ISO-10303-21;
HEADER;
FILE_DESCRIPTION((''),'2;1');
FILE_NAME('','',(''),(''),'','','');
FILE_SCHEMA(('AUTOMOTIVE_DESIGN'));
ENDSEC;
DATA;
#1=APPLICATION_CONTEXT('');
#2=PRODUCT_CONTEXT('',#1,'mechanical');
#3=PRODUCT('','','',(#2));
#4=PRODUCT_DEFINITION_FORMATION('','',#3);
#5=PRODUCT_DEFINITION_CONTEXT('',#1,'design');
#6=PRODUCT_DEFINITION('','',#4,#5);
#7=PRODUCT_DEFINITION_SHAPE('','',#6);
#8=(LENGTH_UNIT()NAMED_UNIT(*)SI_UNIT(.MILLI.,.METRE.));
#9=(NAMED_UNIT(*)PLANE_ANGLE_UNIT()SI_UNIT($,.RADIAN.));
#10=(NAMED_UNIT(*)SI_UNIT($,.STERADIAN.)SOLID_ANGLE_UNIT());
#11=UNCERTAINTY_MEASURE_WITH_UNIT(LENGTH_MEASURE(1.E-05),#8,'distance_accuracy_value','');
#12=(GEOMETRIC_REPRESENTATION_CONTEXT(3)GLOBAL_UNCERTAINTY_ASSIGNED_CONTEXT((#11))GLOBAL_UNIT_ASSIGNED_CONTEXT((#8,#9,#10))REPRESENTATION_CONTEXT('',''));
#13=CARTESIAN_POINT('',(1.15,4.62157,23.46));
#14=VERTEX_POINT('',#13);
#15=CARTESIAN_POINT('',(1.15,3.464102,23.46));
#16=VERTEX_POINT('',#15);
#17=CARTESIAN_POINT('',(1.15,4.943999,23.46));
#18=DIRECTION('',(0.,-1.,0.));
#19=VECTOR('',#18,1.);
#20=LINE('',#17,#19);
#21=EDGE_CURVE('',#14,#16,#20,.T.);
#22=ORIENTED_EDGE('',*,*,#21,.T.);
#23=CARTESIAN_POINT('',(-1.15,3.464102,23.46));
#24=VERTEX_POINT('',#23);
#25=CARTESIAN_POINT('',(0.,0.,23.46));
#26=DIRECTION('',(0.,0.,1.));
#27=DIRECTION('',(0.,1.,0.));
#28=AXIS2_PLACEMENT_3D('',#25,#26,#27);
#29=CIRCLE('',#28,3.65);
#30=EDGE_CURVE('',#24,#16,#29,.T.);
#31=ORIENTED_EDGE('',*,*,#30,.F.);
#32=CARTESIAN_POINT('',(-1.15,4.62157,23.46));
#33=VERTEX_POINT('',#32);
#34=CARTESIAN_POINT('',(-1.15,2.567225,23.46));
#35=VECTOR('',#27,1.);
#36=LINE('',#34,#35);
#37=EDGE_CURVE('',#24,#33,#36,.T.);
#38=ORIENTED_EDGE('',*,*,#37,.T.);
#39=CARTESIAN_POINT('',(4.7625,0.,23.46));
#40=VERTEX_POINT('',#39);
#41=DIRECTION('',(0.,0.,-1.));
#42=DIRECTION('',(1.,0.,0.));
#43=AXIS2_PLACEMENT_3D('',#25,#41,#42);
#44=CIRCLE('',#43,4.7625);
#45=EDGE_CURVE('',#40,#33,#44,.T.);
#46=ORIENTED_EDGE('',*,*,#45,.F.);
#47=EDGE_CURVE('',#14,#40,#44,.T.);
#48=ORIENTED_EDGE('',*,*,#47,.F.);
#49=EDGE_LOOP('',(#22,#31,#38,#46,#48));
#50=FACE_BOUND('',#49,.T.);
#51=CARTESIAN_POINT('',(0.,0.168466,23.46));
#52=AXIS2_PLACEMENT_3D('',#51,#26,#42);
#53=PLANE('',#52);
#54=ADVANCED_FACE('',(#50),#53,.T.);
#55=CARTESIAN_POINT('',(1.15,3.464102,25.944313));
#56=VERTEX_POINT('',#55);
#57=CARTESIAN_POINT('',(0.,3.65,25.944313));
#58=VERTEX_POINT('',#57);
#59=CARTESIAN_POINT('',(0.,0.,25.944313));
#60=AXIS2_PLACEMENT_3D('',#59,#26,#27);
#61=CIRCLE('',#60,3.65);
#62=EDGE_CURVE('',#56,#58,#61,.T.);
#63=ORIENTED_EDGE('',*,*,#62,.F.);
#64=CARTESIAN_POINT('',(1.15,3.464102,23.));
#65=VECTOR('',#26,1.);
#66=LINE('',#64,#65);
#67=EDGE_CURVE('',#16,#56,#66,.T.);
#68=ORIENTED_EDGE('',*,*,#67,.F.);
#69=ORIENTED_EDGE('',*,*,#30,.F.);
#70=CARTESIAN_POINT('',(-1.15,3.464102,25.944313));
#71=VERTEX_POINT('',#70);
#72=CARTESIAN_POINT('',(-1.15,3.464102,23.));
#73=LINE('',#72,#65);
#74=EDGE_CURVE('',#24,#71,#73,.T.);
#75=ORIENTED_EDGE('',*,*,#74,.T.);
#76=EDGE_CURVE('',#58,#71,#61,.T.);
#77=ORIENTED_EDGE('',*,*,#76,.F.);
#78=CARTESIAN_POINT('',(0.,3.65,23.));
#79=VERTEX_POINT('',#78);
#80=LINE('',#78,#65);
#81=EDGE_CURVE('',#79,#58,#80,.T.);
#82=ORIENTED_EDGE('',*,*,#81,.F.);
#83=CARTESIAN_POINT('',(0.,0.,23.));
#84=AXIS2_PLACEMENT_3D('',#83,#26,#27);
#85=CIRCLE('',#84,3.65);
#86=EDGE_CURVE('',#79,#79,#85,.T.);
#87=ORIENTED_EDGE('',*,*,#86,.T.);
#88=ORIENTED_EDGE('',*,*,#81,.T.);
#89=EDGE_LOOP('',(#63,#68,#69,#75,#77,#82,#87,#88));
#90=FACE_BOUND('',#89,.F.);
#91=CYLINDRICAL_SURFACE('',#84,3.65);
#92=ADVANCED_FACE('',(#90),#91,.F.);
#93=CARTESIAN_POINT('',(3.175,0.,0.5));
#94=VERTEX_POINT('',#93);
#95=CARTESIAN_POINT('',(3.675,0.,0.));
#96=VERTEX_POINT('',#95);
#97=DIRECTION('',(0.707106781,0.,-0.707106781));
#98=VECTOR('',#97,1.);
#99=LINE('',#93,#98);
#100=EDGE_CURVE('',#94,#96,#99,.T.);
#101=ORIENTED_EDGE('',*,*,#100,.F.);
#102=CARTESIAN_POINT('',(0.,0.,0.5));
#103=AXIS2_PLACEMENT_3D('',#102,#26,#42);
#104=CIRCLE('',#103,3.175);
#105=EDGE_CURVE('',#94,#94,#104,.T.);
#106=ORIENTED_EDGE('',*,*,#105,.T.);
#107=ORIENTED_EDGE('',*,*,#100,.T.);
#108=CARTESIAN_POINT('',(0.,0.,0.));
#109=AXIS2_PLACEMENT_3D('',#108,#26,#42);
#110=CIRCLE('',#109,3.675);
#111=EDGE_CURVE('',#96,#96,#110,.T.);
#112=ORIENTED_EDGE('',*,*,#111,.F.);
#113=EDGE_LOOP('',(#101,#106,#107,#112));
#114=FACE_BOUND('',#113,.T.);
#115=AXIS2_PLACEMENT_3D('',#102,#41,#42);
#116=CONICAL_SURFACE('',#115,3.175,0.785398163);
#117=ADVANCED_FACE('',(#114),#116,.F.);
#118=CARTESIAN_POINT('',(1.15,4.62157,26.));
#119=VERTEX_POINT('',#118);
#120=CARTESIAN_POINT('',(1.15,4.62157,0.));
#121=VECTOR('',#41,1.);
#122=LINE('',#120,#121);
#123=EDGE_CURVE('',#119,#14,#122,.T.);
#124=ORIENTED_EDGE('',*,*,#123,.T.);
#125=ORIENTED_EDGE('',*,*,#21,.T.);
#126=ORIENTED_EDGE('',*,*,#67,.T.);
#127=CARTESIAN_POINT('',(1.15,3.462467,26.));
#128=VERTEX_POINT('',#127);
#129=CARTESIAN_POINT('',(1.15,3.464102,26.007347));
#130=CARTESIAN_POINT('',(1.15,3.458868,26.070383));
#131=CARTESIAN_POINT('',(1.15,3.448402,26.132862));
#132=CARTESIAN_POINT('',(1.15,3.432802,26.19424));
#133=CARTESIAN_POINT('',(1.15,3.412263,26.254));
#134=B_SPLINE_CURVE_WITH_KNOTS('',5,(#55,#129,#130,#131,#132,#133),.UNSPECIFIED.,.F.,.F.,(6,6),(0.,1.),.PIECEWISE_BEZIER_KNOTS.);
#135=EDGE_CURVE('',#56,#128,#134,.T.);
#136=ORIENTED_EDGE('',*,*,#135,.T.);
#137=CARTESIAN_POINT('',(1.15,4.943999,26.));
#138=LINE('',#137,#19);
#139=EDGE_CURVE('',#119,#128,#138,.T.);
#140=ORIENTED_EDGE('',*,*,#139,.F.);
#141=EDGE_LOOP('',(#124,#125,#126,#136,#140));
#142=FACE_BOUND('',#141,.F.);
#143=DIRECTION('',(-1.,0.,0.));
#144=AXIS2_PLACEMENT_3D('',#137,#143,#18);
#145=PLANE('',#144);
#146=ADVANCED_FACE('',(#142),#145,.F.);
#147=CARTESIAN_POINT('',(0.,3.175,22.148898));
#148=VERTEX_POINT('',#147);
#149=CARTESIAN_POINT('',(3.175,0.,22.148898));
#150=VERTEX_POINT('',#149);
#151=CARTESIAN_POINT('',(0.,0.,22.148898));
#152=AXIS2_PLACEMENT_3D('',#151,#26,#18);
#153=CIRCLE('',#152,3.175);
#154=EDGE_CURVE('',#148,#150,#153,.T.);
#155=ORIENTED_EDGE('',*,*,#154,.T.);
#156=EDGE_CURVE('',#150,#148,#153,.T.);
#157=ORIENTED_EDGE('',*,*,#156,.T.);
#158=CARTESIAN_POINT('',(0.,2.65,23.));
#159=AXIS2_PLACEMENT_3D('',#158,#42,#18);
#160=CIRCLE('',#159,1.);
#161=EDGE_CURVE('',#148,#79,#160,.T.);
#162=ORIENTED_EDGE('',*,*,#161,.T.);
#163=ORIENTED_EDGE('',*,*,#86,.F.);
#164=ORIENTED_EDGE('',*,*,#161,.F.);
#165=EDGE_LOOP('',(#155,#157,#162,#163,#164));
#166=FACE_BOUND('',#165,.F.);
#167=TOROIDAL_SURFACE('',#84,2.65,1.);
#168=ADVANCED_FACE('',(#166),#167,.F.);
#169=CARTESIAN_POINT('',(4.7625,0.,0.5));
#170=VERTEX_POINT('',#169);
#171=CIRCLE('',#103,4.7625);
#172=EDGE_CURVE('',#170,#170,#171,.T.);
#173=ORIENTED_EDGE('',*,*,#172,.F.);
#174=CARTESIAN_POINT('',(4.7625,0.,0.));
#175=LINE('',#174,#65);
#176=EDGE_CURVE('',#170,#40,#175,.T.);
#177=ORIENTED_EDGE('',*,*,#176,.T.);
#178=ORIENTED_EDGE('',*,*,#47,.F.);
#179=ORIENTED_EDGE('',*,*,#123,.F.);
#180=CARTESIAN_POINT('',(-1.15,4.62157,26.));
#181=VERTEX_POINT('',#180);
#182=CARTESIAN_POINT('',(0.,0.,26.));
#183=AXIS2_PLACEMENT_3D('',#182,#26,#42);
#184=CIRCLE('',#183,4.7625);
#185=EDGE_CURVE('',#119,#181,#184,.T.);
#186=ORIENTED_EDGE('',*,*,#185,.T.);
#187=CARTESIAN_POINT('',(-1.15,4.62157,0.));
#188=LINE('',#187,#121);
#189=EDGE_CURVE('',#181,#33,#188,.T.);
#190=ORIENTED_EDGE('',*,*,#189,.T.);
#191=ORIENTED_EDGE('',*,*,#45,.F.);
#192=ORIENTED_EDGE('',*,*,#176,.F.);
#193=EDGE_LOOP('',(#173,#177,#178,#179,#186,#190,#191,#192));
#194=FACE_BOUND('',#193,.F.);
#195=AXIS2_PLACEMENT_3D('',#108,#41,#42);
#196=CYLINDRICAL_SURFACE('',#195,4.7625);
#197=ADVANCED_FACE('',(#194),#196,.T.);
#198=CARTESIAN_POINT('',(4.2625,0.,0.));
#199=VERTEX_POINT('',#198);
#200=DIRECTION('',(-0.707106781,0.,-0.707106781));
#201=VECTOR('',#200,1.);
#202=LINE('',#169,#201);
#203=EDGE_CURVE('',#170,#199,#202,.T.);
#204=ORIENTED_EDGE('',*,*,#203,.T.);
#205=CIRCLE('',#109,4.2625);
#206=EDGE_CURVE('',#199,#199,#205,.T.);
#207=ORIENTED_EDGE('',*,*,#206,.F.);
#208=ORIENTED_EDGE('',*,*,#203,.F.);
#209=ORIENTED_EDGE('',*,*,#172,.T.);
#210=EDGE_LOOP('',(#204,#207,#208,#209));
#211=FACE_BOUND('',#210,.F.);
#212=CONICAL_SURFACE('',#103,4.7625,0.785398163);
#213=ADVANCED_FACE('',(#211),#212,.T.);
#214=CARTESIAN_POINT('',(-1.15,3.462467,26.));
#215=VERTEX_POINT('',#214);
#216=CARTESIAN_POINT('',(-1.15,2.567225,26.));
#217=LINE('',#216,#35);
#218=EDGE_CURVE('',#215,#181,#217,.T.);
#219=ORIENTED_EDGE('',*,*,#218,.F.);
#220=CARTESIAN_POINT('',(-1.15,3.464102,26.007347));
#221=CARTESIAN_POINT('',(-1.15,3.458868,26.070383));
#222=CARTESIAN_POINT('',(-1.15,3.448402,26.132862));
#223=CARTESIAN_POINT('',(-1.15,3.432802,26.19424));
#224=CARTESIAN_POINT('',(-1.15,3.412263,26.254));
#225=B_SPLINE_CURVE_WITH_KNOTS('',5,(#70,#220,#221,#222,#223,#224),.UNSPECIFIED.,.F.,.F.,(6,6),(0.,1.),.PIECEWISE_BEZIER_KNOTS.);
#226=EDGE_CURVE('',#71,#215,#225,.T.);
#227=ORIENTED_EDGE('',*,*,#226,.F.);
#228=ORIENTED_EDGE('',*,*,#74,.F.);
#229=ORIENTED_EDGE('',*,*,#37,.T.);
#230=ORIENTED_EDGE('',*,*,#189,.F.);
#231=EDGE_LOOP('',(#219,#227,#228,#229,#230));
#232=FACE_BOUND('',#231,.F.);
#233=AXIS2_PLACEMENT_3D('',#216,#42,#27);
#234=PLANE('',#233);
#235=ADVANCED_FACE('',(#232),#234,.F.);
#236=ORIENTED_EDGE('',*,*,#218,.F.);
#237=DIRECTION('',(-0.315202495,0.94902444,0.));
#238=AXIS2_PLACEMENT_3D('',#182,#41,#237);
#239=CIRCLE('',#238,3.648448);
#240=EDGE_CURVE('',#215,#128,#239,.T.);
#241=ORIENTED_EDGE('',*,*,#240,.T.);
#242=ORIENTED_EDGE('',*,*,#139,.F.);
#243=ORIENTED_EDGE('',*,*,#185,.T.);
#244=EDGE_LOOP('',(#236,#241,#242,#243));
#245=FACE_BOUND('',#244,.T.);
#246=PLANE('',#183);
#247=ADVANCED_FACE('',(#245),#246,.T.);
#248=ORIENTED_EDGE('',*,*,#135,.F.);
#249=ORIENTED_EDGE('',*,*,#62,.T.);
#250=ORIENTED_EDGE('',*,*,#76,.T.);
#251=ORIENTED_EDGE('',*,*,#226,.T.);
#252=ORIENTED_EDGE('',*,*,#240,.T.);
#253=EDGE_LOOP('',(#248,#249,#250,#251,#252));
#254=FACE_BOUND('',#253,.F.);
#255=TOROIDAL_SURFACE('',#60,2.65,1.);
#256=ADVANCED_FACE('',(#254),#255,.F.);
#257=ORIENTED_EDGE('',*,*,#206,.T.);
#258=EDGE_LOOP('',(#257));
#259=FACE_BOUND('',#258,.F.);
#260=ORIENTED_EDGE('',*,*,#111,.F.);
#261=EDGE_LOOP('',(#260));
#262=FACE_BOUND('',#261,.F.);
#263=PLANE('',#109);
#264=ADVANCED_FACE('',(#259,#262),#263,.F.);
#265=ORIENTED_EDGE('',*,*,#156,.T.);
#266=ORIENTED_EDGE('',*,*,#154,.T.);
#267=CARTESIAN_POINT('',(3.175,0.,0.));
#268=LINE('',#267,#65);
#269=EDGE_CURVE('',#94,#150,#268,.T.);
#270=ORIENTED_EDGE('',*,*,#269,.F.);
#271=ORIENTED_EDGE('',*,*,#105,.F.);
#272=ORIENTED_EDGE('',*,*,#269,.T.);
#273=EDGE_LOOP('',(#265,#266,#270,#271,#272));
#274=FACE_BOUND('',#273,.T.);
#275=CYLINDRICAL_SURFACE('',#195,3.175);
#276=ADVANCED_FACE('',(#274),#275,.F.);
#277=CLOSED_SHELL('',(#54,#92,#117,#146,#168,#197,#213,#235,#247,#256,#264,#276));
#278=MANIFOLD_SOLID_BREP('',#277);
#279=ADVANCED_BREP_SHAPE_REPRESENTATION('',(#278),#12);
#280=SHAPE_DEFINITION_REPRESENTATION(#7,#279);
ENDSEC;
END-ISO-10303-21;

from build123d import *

# Parameters (mm, degrees)
SKETCH_R     = 4.7625
SKETCH_R_2   = 3.175
PAD_DEPTH    = 26
POCKET_DEPTH = 2.54
CHAMFER_SIZE = 0.5


with BuildPart() as part:
    # Sketch → Pad (new body)
    with BuildSketch(Plane.XY):
        Circle(SKETCH_R)
        Circle(SKETCH_R_2, mode=Mode.SUBTRACT)
    extrude(amount=PAD_DEPTH)

    # Sketch001 (on Face4 of Pad) → Pocket (cut)
    with BuildSketch(Plane.XY.offset(26)):
        with BuildLine():
            Line((1.15, 4.943999), (1.15, 2.567225))
            ThreePointArc((-1.15, 2.567225), (0, -2.813031), (1.15, 2.567225))
            Line((-1.15, 2.567225), (-1.15, 4.943999))
            ThreePointArc((-1.15, 4.943999), (0, -5.075985), (1.15, 4.943999))
        make_face()
    extrude(amount=-POCKET_DEPTH, mode=Mode.SUBTRACT)

    # Sketch002 → Groove (revolve, cut)
    with BuildSketch(Plane.YZ):
        with BuildLine():
            ThreePointArc((3.65, 25.944313), (2.65, 26.944313), (1.65, 25.944313))
            Line((1.65, 25.944313), (1.65, 23))
            ThreePointArc((1.65, 23), (2.65, 22), (3.65, 23))
            Line((3.65, 23), (3.65, 25.944313))
        make_face()
    revolve(axis=Axis((0, 0, 0), (0, 0, 1)), mode=Mode.SUBTRACT)

    # Chamfer
    chamfer_edges = [part.edges().sort_by_distance(p)[0] for p in [
        (-4.7625, 0, 0),
        (-3.175, 0, 0),
    ]]
    chamfer(chamfer_edges, length=CHAMFER_SIZE)


solid = part.part
